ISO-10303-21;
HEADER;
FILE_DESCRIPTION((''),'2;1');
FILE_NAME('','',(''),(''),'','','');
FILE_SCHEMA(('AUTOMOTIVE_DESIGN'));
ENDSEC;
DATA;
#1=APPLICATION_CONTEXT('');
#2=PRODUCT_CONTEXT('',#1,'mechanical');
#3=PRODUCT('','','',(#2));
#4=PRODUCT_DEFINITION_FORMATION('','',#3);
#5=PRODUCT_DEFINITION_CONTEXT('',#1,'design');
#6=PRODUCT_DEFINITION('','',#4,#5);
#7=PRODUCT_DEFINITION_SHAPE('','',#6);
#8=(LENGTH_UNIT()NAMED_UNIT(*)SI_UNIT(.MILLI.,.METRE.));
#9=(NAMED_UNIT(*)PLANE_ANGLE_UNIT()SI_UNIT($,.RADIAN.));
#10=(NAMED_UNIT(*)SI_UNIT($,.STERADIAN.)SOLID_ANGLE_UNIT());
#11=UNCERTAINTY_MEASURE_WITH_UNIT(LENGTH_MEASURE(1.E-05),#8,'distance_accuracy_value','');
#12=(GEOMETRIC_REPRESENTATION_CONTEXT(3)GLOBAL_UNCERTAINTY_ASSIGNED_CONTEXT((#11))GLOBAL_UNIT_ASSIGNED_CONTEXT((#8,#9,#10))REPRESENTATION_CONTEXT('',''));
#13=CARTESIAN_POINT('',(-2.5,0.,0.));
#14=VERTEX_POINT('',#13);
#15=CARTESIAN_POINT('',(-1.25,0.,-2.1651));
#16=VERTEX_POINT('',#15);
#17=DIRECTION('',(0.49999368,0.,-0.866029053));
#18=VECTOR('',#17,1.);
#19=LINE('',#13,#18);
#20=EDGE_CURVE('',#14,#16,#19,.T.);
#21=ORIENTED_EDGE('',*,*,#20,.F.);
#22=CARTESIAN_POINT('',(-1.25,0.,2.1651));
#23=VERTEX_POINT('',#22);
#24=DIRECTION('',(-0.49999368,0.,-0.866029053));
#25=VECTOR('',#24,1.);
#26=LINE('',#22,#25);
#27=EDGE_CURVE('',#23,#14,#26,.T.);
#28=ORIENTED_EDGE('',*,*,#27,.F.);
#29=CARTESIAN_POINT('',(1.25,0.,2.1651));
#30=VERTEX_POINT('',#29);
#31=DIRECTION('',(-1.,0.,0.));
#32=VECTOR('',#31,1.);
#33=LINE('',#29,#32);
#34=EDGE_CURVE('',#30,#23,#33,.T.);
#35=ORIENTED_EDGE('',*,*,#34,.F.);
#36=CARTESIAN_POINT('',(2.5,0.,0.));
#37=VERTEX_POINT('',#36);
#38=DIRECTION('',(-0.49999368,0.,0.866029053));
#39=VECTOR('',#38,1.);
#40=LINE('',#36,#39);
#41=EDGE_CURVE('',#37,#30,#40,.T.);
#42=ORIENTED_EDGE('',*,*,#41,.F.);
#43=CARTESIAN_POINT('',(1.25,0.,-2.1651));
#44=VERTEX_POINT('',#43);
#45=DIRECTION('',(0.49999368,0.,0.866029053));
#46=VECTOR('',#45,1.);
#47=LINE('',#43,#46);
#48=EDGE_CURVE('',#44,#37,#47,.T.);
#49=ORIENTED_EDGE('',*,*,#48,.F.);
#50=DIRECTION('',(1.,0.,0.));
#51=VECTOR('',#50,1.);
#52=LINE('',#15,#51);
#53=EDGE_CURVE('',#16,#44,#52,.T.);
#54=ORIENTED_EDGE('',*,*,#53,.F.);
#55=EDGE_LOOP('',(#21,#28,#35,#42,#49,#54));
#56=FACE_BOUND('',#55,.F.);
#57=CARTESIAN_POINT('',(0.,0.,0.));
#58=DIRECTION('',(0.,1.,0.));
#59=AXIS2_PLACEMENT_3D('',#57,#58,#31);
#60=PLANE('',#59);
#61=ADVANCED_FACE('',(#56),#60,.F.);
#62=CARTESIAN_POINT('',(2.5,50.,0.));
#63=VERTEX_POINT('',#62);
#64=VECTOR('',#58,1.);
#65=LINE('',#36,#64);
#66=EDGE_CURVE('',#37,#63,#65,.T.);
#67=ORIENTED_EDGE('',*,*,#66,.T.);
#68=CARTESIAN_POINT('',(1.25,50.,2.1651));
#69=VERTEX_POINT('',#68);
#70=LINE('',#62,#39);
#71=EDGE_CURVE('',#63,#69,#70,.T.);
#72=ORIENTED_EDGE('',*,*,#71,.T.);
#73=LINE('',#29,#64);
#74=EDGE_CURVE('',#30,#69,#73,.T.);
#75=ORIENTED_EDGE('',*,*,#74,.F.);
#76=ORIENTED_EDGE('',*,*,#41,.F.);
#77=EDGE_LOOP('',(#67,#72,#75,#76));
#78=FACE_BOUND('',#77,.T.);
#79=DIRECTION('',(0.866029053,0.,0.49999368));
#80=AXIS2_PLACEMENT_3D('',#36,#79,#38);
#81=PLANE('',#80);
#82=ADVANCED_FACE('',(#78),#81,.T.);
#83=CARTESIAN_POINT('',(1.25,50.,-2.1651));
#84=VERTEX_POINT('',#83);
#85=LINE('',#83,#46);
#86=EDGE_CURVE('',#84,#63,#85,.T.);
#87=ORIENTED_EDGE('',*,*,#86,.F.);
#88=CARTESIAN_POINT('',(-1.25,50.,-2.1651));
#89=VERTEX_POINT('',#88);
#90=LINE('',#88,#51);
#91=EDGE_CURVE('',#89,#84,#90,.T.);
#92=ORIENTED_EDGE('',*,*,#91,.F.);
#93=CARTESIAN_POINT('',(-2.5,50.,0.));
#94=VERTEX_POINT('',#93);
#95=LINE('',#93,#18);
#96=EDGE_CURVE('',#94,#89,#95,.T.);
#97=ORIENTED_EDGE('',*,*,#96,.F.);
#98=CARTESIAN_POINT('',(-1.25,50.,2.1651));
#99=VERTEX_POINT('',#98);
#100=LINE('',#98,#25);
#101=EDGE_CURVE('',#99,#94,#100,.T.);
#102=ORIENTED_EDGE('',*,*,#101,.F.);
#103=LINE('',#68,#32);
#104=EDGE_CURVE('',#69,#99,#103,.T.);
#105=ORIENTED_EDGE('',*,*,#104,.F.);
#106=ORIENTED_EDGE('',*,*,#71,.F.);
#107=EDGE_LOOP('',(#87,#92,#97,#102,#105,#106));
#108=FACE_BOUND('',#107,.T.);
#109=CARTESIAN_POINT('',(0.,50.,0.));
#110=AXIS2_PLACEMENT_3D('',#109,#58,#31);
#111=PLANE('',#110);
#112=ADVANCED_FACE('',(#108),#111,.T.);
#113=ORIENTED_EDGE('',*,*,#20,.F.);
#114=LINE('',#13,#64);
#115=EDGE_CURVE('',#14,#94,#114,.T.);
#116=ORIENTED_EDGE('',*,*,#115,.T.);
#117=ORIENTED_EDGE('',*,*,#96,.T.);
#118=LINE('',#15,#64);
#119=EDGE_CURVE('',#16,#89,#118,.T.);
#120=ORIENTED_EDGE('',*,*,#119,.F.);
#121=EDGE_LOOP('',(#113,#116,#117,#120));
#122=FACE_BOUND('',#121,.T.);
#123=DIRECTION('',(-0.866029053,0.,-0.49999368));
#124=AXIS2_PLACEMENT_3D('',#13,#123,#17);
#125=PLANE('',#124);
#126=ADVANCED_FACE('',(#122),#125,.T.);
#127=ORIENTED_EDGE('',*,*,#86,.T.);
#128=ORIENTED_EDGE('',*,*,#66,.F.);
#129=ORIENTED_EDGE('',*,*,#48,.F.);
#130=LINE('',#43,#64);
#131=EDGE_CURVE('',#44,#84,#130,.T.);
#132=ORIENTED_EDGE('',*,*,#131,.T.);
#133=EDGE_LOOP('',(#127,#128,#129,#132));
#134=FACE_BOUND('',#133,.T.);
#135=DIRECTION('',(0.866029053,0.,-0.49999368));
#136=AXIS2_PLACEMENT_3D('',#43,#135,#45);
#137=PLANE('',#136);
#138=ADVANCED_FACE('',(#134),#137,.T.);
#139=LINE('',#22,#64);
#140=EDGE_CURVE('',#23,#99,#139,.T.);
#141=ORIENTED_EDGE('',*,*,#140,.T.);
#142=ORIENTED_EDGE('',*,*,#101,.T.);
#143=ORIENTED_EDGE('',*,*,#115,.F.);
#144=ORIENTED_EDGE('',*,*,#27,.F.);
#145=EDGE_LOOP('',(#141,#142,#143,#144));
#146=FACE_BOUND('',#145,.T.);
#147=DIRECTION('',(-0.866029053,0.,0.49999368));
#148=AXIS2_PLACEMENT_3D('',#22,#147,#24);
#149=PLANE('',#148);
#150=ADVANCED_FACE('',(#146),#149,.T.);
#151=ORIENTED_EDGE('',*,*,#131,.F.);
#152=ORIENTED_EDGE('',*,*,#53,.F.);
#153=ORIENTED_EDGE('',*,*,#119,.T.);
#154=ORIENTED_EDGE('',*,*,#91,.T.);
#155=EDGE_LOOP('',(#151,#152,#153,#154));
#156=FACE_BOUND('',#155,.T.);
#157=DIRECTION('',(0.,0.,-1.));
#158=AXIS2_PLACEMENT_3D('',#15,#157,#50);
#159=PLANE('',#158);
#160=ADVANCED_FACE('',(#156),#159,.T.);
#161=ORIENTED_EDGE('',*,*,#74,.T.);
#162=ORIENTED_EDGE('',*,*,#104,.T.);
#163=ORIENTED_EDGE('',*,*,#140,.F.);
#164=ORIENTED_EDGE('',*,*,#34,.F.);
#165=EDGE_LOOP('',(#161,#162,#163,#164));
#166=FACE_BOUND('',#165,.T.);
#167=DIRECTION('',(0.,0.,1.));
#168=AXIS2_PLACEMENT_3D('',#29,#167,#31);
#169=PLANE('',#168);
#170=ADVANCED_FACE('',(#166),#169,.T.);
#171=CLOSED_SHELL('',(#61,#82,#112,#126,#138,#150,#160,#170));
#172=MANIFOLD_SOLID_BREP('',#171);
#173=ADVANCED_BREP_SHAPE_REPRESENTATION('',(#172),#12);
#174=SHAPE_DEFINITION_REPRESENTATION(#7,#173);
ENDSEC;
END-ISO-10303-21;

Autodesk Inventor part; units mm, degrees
ref_plane "YZ Plane" through (0, 0, 0) normal (1, 0, 0) x (0, 1, 0)
ref_plane "XZ Plane" through (0, 0, 0) normal (0, 1, 0) x (-1, 0, 0)
ref_plane "XY Plane" through (0, 0, 0) normal (0, 0, 1) x (1, 0, 0)
sketch "Boceto1" plane through (0, 0, 0) normal (0, 1, 0) x (-1, 0, 0)
  line L0 (2.5, 0) -> (1.25, -2.1651)
  line L1 (1.25, -2.1651) -> (-1.25, -2.1651)
  line L2 (-1.25, -2.1651) -> (-2.5, 0)
  line L3 (-2.5, 0) -> (-1.25, 2.1651)
  line L4 (-1.25, 2.1651) -> (1.25, 2.1651)
  line L5 (1.25, 2.1651) -> (2.5, 0)
  point P0 (0, 0)
  point P1 (0, 0)
  dimension "d0" = 2.5
extrude "Extrusión1" add sketch "Boceto1" along normal blind 50
properties part number "Viga"
